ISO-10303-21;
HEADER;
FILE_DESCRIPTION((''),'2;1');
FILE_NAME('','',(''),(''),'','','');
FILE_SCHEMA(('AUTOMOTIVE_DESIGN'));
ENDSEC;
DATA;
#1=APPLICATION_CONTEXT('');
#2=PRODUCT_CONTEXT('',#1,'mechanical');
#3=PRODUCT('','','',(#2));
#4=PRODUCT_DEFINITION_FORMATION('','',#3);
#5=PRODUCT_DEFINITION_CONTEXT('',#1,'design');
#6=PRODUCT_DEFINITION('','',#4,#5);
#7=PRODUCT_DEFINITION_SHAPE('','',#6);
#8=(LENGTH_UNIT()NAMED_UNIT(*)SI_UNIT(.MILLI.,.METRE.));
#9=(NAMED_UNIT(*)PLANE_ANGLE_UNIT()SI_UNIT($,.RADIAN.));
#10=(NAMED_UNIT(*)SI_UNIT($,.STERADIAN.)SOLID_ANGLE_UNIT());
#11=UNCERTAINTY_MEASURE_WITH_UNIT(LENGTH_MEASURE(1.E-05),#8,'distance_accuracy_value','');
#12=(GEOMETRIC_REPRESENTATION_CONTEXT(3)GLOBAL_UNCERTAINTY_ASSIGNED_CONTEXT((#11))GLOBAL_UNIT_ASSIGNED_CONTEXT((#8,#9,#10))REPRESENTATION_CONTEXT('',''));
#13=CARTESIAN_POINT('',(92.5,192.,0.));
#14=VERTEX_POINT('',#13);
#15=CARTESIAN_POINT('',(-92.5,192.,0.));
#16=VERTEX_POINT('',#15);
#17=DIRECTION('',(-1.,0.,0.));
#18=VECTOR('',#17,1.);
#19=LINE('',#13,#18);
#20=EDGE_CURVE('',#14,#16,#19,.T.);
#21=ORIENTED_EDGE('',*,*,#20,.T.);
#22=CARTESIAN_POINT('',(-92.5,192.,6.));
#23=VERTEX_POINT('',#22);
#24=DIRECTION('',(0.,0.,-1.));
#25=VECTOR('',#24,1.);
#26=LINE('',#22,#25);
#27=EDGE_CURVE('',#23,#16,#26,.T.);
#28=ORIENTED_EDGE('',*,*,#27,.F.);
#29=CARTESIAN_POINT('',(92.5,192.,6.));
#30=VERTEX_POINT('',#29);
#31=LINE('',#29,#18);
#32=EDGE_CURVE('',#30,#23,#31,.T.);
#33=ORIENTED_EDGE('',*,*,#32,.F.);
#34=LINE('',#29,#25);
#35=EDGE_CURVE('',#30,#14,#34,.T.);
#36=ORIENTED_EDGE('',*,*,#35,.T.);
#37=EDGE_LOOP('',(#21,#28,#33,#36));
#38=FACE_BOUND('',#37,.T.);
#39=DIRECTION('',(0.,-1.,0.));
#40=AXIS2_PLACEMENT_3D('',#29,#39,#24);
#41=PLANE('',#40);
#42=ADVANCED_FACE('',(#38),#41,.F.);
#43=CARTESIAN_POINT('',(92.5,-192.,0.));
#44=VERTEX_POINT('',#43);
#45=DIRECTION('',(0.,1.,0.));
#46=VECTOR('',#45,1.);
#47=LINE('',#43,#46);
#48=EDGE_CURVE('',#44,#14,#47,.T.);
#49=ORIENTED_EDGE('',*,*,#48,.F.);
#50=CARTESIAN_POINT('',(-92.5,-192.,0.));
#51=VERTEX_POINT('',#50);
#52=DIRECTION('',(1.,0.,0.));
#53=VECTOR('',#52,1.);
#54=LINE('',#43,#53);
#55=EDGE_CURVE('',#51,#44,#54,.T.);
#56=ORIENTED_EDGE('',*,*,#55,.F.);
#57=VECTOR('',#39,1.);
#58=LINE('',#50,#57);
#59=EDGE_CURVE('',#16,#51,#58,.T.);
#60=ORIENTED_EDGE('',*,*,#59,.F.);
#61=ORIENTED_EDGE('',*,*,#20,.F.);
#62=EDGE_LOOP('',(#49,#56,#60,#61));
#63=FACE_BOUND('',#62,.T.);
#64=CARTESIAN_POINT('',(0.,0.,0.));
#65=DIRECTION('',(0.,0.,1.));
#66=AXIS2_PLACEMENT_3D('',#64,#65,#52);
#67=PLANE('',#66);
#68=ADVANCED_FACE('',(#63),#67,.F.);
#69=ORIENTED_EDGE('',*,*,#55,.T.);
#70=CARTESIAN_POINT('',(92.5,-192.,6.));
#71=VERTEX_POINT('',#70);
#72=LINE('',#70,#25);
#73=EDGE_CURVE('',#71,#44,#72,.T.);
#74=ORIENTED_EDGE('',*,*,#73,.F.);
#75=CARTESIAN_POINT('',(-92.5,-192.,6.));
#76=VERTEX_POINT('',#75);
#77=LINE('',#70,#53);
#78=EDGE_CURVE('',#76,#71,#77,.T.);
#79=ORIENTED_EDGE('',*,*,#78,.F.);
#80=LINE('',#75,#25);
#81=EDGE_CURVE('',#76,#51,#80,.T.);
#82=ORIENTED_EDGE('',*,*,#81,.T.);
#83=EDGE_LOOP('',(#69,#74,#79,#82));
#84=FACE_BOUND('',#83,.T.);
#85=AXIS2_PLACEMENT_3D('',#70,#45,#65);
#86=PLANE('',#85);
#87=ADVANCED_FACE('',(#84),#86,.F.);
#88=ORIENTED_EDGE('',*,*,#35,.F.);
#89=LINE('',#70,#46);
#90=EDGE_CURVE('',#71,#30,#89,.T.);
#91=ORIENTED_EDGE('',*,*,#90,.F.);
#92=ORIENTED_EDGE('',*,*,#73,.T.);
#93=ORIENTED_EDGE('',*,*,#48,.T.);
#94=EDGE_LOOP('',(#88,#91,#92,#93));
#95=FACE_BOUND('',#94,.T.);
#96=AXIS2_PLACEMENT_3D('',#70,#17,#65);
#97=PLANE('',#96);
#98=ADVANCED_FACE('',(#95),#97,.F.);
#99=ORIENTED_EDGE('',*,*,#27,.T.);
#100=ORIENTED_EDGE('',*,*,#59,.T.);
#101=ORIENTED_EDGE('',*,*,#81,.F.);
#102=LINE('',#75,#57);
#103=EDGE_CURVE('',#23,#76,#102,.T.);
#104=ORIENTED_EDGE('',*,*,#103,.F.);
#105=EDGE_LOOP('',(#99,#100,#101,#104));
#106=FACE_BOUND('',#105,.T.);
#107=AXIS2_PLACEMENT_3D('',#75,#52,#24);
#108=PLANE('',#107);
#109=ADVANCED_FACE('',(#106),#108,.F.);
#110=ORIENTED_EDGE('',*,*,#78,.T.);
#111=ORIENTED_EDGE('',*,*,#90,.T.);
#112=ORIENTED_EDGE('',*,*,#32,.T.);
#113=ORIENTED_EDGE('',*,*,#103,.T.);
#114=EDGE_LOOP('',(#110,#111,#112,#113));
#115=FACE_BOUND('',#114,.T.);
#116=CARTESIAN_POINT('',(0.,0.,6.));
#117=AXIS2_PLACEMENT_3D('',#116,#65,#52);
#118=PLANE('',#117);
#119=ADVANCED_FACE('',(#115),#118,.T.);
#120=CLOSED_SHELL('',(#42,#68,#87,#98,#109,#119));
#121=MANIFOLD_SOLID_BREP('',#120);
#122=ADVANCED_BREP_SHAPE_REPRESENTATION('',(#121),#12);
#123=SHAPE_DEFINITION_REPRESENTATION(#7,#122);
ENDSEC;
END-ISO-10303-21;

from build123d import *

# Parameters (mm, degrees)
ESBO_O1_W                = 185
ESBO_O1_H                = 384
RESSALTO_EXTRUS_O1_DEPTH = 6


with BuildPart() as part:
    # Esboço1 → Ressalto-extrusão1 (new body)
    with BuildSketch(Plane.XY):
        Rectangle(ESBO_O1_W, ESBO_O1_H)
    extrude(amount=RESSALTO_EXTRUS_O1_DEPTH)


solid = part.part
